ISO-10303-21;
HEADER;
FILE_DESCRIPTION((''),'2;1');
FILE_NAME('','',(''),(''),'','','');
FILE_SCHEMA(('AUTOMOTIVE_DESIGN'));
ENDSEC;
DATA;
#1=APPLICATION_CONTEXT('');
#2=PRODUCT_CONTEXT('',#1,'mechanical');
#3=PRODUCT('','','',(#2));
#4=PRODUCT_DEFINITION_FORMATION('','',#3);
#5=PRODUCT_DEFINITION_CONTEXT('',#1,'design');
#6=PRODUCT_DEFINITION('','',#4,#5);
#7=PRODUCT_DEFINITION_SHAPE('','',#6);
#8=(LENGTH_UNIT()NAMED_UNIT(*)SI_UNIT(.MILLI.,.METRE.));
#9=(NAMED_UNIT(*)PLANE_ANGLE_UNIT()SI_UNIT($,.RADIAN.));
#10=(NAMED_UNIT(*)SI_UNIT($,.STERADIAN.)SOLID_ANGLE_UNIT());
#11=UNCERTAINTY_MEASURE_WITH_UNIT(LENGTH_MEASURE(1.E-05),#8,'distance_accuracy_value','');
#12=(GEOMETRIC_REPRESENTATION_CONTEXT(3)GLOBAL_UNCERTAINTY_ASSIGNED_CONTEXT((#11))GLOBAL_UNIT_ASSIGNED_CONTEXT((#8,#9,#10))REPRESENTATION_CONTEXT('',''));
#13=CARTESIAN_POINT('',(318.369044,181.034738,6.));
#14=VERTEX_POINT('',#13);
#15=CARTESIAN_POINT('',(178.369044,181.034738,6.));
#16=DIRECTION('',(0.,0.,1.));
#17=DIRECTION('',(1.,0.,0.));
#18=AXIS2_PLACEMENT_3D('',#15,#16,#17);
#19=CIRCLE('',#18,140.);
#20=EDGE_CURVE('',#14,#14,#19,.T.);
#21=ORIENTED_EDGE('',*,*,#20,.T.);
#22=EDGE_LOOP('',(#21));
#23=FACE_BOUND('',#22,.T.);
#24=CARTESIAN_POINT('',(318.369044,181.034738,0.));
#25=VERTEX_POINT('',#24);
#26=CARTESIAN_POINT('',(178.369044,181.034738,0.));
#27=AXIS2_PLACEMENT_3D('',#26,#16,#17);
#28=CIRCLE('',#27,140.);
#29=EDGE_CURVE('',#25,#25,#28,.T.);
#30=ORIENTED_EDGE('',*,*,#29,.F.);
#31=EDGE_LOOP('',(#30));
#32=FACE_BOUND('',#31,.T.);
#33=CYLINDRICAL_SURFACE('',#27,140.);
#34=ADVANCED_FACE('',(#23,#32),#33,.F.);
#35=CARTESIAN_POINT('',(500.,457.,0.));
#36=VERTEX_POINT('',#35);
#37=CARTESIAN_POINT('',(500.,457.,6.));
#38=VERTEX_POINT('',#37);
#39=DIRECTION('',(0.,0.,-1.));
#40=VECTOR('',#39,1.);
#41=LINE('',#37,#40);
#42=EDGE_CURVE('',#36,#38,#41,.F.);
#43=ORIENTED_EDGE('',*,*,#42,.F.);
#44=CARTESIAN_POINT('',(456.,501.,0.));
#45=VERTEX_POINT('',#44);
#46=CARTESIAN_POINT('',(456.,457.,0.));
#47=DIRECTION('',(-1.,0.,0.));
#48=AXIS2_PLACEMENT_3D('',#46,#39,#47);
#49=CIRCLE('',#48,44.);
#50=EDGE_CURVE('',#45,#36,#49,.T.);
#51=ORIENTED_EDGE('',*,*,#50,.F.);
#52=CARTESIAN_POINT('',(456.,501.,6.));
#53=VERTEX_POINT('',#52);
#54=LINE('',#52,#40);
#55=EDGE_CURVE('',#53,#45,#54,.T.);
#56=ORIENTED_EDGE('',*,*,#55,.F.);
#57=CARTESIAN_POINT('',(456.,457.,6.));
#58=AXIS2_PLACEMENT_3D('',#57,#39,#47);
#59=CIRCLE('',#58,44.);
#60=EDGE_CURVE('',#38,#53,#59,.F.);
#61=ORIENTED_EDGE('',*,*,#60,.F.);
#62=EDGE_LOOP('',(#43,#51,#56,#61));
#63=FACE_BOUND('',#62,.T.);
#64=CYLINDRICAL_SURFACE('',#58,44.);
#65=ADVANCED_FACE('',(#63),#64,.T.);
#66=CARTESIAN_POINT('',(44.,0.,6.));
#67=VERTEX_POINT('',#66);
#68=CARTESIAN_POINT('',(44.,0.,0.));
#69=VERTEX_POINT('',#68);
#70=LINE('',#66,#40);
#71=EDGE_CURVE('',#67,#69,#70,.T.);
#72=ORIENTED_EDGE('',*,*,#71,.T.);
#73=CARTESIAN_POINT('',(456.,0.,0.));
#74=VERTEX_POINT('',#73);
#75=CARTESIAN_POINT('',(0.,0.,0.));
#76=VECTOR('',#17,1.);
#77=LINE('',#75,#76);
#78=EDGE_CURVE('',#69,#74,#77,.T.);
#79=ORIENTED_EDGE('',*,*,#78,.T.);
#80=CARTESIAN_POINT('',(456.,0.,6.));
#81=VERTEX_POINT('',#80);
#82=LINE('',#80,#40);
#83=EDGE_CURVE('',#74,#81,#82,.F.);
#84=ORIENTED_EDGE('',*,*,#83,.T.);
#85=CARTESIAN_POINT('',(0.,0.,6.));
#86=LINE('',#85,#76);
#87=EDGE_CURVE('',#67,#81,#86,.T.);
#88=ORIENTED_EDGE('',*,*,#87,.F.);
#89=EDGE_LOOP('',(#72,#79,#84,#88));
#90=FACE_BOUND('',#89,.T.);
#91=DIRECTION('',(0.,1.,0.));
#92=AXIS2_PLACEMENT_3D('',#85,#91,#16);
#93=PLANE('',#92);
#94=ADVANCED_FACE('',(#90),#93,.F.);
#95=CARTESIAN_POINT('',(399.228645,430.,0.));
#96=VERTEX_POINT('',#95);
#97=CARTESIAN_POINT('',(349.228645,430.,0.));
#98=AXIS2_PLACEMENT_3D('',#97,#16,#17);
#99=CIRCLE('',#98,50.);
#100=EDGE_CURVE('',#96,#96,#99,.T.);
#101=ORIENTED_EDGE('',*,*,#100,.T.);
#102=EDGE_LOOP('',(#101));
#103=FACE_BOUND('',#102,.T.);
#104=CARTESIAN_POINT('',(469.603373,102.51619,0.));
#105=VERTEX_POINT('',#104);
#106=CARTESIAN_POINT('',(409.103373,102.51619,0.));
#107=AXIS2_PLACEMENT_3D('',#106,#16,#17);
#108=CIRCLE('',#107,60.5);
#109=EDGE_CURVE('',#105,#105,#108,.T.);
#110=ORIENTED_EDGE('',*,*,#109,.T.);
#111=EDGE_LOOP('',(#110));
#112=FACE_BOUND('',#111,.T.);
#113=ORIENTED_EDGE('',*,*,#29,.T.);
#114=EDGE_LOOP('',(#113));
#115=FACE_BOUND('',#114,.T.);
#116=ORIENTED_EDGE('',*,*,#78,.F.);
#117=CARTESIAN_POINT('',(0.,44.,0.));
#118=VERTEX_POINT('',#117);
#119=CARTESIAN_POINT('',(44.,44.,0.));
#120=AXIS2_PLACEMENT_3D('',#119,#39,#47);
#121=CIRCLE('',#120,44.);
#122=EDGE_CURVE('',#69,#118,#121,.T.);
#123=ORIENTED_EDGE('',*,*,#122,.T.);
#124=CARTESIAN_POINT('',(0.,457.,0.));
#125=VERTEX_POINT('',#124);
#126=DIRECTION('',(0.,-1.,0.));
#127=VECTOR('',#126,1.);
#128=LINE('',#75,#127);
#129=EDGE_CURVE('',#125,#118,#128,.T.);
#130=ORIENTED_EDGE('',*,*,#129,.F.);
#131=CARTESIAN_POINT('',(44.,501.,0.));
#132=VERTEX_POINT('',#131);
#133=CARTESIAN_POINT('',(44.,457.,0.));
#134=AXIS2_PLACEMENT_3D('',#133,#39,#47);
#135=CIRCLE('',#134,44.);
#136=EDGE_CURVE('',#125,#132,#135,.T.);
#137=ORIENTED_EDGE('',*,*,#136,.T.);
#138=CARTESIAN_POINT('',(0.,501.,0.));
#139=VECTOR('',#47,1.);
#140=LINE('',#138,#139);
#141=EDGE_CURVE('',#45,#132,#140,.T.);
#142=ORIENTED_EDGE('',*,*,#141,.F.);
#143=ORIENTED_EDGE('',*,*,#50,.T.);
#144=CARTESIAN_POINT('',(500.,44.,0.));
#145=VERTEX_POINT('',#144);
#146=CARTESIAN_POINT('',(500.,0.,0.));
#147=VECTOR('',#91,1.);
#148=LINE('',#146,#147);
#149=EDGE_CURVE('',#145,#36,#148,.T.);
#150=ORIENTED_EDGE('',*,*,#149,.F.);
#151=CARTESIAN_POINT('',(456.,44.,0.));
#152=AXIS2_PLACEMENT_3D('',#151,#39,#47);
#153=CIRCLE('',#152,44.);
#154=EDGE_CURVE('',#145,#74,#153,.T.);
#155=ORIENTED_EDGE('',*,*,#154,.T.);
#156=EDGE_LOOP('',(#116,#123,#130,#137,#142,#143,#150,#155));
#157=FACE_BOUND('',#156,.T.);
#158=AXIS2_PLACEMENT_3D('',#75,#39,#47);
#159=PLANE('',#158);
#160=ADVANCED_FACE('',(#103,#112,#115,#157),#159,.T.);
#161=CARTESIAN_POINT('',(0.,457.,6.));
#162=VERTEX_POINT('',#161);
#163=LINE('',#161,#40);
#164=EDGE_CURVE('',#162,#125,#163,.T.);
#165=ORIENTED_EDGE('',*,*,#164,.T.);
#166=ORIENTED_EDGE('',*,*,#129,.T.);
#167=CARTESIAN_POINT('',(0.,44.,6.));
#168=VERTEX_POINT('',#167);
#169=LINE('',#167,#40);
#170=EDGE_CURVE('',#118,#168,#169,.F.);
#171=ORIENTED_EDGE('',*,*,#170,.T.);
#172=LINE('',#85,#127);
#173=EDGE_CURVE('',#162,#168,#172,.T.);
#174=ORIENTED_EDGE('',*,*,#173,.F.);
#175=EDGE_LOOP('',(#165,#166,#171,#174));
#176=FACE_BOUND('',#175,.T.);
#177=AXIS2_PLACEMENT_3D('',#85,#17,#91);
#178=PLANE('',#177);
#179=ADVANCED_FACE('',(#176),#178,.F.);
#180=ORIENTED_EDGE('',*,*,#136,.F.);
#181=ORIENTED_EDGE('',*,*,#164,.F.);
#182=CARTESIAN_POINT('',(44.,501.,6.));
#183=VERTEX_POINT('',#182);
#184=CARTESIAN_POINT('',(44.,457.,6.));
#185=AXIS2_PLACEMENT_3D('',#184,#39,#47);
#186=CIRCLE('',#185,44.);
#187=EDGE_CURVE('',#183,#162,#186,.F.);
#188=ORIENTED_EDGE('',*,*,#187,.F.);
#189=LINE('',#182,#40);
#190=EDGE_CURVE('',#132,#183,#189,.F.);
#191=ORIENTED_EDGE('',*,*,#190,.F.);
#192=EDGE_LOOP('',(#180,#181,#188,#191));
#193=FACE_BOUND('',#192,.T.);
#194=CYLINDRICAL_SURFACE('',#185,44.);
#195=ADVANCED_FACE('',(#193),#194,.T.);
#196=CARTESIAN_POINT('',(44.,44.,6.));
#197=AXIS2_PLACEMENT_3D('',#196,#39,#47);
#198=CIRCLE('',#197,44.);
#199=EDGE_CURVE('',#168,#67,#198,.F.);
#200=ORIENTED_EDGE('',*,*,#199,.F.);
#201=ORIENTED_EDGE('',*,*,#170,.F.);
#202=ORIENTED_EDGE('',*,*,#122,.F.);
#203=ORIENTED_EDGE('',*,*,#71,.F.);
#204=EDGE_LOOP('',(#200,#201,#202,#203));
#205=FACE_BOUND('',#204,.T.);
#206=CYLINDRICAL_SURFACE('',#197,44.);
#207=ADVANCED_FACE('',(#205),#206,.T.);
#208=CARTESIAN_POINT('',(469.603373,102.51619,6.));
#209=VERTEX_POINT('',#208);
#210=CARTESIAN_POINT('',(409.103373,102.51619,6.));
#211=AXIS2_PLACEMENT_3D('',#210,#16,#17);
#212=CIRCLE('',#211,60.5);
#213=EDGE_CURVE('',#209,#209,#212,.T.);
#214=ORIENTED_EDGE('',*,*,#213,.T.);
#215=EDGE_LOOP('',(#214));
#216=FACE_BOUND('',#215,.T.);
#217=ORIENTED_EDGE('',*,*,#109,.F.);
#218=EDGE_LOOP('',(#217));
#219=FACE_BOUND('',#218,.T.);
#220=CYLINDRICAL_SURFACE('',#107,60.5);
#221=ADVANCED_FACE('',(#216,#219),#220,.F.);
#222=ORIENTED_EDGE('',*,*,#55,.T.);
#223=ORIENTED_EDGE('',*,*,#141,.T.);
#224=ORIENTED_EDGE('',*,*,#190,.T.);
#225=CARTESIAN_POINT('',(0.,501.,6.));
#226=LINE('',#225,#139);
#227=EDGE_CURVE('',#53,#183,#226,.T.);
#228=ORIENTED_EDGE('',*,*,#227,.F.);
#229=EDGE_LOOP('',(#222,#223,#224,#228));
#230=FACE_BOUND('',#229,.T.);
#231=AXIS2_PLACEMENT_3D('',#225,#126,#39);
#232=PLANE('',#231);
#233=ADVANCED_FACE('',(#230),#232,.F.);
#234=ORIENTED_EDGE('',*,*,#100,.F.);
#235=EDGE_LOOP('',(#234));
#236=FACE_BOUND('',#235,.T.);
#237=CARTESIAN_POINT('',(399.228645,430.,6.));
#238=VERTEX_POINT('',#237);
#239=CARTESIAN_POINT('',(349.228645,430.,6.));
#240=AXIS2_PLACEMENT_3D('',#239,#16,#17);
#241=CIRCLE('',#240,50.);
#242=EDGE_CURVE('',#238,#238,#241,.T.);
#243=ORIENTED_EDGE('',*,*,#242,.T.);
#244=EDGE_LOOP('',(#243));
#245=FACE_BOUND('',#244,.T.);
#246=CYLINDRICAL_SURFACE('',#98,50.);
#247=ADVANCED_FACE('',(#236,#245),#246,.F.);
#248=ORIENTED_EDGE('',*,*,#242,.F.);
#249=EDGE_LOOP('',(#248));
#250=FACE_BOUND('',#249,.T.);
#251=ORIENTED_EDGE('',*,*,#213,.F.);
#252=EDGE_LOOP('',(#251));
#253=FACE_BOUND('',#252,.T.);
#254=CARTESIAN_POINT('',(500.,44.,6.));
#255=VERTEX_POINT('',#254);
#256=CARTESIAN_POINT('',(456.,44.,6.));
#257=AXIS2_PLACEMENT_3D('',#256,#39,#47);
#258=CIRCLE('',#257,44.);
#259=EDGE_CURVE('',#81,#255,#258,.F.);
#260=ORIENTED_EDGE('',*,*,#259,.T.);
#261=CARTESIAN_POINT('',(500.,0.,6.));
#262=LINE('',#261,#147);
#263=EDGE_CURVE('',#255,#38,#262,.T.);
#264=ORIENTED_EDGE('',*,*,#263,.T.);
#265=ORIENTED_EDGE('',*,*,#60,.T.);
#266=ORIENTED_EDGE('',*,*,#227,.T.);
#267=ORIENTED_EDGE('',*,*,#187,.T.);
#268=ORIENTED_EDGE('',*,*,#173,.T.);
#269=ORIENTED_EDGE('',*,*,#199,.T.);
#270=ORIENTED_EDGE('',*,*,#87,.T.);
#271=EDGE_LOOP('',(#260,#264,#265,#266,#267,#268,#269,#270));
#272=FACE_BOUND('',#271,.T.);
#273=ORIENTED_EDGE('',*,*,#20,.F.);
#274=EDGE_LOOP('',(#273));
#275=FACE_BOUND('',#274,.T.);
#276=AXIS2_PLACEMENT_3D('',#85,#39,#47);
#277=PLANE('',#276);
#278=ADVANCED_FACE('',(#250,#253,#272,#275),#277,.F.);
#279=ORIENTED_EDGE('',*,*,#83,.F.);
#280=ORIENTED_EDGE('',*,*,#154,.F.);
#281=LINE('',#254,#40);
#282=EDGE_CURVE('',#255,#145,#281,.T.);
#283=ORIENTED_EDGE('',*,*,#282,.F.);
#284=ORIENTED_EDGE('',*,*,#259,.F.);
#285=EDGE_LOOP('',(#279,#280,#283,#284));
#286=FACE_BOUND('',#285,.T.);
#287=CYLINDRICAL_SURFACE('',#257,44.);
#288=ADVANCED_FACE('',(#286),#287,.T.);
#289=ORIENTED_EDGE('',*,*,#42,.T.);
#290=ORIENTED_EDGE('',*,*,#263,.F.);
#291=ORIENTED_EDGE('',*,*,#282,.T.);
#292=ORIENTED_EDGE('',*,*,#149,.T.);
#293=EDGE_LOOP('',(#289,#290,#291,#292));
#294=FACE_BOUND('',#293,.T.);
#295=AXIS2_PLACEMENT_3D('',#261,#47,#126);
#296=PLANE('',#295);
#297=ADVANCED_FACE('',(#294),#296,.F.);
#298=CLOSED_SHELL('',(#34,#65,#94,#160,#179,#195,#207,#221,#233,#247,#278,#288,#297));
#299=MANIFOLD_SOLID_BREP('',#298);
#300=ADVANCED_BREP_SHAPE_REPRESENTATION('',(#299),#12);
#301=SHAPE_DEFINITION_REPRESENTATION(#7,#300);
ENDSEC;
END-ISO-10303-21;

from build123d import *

# Parameters (mm, degrees)
SKETCH1_W           = 500
SKETCH1_H           = 501
BOSS_EXTRUDE1_DEPTH = 6
FILLET1_R           = 44
SKETCH3_R           = 140
CUT_EXTRUDE2_DEPTH  = 7
SKETCH5_R           = 60.5
CUT_EXTRUDE3_DEPTH  = 7
SKETCH6_R           = 50
CUT_EXTRUDE5_DEPTH  = 7


with BuildPart() as part:
    # Sketch1 → Boss-Extrude1 (new body)
    with BuildSketch(Plane.XY):
        with Locations((250, 250.5)):
            Rectangle(SKETCH1_W, SKETCH1_H)
    extrude(amount=BOSS_EXTRUDE1_DEPTH)

    # Fillet1
    fillet1_edges = [part.edges().sort_by_distance(p)[0] for p in [
        (0, 501, 3),
        (500, 501, 3),
        (500, 0, 3),
        (0, 0, 3),
    ]]
    fillet(fillet1_edges, radius=FILLET1_R)

    # Sketch3 → Cut-Extrude2 (cut, through all)
    with BuildSketch(Plane.XY.offset(6)):
        with Locations((178.369044072, 181.034738009)):
            Circle(SKETCH3_R)
    extrude(amount=-CUT_EXTRUDE2_DEPTH, mode=Mode.SUBTRACT)

    # Sketch5 → Cut-Extrude3 (cut, through all)
    with BuildSketch(Plane.XY.offset(6)):
        with Locations((409.103373264, 102.516190165)):
            Circle(SKETCH5_R)
    extrude(amount=-CUT_EXTRUDE3_DEPTH, mode=Mode.SUBTRACT)

    # Sketch6 → Cut-Extrude5 (cut, through all)
    with BuildSketch(Plane.XY.offset(6)):
        with Locations((349.228645131, 430)):
            Circle(SKETCH6_R)
    extrude(amount=-CUT_EXTRUDE5_DEPTH, mode=Mode.SUBTRACT)


solid = part.part
